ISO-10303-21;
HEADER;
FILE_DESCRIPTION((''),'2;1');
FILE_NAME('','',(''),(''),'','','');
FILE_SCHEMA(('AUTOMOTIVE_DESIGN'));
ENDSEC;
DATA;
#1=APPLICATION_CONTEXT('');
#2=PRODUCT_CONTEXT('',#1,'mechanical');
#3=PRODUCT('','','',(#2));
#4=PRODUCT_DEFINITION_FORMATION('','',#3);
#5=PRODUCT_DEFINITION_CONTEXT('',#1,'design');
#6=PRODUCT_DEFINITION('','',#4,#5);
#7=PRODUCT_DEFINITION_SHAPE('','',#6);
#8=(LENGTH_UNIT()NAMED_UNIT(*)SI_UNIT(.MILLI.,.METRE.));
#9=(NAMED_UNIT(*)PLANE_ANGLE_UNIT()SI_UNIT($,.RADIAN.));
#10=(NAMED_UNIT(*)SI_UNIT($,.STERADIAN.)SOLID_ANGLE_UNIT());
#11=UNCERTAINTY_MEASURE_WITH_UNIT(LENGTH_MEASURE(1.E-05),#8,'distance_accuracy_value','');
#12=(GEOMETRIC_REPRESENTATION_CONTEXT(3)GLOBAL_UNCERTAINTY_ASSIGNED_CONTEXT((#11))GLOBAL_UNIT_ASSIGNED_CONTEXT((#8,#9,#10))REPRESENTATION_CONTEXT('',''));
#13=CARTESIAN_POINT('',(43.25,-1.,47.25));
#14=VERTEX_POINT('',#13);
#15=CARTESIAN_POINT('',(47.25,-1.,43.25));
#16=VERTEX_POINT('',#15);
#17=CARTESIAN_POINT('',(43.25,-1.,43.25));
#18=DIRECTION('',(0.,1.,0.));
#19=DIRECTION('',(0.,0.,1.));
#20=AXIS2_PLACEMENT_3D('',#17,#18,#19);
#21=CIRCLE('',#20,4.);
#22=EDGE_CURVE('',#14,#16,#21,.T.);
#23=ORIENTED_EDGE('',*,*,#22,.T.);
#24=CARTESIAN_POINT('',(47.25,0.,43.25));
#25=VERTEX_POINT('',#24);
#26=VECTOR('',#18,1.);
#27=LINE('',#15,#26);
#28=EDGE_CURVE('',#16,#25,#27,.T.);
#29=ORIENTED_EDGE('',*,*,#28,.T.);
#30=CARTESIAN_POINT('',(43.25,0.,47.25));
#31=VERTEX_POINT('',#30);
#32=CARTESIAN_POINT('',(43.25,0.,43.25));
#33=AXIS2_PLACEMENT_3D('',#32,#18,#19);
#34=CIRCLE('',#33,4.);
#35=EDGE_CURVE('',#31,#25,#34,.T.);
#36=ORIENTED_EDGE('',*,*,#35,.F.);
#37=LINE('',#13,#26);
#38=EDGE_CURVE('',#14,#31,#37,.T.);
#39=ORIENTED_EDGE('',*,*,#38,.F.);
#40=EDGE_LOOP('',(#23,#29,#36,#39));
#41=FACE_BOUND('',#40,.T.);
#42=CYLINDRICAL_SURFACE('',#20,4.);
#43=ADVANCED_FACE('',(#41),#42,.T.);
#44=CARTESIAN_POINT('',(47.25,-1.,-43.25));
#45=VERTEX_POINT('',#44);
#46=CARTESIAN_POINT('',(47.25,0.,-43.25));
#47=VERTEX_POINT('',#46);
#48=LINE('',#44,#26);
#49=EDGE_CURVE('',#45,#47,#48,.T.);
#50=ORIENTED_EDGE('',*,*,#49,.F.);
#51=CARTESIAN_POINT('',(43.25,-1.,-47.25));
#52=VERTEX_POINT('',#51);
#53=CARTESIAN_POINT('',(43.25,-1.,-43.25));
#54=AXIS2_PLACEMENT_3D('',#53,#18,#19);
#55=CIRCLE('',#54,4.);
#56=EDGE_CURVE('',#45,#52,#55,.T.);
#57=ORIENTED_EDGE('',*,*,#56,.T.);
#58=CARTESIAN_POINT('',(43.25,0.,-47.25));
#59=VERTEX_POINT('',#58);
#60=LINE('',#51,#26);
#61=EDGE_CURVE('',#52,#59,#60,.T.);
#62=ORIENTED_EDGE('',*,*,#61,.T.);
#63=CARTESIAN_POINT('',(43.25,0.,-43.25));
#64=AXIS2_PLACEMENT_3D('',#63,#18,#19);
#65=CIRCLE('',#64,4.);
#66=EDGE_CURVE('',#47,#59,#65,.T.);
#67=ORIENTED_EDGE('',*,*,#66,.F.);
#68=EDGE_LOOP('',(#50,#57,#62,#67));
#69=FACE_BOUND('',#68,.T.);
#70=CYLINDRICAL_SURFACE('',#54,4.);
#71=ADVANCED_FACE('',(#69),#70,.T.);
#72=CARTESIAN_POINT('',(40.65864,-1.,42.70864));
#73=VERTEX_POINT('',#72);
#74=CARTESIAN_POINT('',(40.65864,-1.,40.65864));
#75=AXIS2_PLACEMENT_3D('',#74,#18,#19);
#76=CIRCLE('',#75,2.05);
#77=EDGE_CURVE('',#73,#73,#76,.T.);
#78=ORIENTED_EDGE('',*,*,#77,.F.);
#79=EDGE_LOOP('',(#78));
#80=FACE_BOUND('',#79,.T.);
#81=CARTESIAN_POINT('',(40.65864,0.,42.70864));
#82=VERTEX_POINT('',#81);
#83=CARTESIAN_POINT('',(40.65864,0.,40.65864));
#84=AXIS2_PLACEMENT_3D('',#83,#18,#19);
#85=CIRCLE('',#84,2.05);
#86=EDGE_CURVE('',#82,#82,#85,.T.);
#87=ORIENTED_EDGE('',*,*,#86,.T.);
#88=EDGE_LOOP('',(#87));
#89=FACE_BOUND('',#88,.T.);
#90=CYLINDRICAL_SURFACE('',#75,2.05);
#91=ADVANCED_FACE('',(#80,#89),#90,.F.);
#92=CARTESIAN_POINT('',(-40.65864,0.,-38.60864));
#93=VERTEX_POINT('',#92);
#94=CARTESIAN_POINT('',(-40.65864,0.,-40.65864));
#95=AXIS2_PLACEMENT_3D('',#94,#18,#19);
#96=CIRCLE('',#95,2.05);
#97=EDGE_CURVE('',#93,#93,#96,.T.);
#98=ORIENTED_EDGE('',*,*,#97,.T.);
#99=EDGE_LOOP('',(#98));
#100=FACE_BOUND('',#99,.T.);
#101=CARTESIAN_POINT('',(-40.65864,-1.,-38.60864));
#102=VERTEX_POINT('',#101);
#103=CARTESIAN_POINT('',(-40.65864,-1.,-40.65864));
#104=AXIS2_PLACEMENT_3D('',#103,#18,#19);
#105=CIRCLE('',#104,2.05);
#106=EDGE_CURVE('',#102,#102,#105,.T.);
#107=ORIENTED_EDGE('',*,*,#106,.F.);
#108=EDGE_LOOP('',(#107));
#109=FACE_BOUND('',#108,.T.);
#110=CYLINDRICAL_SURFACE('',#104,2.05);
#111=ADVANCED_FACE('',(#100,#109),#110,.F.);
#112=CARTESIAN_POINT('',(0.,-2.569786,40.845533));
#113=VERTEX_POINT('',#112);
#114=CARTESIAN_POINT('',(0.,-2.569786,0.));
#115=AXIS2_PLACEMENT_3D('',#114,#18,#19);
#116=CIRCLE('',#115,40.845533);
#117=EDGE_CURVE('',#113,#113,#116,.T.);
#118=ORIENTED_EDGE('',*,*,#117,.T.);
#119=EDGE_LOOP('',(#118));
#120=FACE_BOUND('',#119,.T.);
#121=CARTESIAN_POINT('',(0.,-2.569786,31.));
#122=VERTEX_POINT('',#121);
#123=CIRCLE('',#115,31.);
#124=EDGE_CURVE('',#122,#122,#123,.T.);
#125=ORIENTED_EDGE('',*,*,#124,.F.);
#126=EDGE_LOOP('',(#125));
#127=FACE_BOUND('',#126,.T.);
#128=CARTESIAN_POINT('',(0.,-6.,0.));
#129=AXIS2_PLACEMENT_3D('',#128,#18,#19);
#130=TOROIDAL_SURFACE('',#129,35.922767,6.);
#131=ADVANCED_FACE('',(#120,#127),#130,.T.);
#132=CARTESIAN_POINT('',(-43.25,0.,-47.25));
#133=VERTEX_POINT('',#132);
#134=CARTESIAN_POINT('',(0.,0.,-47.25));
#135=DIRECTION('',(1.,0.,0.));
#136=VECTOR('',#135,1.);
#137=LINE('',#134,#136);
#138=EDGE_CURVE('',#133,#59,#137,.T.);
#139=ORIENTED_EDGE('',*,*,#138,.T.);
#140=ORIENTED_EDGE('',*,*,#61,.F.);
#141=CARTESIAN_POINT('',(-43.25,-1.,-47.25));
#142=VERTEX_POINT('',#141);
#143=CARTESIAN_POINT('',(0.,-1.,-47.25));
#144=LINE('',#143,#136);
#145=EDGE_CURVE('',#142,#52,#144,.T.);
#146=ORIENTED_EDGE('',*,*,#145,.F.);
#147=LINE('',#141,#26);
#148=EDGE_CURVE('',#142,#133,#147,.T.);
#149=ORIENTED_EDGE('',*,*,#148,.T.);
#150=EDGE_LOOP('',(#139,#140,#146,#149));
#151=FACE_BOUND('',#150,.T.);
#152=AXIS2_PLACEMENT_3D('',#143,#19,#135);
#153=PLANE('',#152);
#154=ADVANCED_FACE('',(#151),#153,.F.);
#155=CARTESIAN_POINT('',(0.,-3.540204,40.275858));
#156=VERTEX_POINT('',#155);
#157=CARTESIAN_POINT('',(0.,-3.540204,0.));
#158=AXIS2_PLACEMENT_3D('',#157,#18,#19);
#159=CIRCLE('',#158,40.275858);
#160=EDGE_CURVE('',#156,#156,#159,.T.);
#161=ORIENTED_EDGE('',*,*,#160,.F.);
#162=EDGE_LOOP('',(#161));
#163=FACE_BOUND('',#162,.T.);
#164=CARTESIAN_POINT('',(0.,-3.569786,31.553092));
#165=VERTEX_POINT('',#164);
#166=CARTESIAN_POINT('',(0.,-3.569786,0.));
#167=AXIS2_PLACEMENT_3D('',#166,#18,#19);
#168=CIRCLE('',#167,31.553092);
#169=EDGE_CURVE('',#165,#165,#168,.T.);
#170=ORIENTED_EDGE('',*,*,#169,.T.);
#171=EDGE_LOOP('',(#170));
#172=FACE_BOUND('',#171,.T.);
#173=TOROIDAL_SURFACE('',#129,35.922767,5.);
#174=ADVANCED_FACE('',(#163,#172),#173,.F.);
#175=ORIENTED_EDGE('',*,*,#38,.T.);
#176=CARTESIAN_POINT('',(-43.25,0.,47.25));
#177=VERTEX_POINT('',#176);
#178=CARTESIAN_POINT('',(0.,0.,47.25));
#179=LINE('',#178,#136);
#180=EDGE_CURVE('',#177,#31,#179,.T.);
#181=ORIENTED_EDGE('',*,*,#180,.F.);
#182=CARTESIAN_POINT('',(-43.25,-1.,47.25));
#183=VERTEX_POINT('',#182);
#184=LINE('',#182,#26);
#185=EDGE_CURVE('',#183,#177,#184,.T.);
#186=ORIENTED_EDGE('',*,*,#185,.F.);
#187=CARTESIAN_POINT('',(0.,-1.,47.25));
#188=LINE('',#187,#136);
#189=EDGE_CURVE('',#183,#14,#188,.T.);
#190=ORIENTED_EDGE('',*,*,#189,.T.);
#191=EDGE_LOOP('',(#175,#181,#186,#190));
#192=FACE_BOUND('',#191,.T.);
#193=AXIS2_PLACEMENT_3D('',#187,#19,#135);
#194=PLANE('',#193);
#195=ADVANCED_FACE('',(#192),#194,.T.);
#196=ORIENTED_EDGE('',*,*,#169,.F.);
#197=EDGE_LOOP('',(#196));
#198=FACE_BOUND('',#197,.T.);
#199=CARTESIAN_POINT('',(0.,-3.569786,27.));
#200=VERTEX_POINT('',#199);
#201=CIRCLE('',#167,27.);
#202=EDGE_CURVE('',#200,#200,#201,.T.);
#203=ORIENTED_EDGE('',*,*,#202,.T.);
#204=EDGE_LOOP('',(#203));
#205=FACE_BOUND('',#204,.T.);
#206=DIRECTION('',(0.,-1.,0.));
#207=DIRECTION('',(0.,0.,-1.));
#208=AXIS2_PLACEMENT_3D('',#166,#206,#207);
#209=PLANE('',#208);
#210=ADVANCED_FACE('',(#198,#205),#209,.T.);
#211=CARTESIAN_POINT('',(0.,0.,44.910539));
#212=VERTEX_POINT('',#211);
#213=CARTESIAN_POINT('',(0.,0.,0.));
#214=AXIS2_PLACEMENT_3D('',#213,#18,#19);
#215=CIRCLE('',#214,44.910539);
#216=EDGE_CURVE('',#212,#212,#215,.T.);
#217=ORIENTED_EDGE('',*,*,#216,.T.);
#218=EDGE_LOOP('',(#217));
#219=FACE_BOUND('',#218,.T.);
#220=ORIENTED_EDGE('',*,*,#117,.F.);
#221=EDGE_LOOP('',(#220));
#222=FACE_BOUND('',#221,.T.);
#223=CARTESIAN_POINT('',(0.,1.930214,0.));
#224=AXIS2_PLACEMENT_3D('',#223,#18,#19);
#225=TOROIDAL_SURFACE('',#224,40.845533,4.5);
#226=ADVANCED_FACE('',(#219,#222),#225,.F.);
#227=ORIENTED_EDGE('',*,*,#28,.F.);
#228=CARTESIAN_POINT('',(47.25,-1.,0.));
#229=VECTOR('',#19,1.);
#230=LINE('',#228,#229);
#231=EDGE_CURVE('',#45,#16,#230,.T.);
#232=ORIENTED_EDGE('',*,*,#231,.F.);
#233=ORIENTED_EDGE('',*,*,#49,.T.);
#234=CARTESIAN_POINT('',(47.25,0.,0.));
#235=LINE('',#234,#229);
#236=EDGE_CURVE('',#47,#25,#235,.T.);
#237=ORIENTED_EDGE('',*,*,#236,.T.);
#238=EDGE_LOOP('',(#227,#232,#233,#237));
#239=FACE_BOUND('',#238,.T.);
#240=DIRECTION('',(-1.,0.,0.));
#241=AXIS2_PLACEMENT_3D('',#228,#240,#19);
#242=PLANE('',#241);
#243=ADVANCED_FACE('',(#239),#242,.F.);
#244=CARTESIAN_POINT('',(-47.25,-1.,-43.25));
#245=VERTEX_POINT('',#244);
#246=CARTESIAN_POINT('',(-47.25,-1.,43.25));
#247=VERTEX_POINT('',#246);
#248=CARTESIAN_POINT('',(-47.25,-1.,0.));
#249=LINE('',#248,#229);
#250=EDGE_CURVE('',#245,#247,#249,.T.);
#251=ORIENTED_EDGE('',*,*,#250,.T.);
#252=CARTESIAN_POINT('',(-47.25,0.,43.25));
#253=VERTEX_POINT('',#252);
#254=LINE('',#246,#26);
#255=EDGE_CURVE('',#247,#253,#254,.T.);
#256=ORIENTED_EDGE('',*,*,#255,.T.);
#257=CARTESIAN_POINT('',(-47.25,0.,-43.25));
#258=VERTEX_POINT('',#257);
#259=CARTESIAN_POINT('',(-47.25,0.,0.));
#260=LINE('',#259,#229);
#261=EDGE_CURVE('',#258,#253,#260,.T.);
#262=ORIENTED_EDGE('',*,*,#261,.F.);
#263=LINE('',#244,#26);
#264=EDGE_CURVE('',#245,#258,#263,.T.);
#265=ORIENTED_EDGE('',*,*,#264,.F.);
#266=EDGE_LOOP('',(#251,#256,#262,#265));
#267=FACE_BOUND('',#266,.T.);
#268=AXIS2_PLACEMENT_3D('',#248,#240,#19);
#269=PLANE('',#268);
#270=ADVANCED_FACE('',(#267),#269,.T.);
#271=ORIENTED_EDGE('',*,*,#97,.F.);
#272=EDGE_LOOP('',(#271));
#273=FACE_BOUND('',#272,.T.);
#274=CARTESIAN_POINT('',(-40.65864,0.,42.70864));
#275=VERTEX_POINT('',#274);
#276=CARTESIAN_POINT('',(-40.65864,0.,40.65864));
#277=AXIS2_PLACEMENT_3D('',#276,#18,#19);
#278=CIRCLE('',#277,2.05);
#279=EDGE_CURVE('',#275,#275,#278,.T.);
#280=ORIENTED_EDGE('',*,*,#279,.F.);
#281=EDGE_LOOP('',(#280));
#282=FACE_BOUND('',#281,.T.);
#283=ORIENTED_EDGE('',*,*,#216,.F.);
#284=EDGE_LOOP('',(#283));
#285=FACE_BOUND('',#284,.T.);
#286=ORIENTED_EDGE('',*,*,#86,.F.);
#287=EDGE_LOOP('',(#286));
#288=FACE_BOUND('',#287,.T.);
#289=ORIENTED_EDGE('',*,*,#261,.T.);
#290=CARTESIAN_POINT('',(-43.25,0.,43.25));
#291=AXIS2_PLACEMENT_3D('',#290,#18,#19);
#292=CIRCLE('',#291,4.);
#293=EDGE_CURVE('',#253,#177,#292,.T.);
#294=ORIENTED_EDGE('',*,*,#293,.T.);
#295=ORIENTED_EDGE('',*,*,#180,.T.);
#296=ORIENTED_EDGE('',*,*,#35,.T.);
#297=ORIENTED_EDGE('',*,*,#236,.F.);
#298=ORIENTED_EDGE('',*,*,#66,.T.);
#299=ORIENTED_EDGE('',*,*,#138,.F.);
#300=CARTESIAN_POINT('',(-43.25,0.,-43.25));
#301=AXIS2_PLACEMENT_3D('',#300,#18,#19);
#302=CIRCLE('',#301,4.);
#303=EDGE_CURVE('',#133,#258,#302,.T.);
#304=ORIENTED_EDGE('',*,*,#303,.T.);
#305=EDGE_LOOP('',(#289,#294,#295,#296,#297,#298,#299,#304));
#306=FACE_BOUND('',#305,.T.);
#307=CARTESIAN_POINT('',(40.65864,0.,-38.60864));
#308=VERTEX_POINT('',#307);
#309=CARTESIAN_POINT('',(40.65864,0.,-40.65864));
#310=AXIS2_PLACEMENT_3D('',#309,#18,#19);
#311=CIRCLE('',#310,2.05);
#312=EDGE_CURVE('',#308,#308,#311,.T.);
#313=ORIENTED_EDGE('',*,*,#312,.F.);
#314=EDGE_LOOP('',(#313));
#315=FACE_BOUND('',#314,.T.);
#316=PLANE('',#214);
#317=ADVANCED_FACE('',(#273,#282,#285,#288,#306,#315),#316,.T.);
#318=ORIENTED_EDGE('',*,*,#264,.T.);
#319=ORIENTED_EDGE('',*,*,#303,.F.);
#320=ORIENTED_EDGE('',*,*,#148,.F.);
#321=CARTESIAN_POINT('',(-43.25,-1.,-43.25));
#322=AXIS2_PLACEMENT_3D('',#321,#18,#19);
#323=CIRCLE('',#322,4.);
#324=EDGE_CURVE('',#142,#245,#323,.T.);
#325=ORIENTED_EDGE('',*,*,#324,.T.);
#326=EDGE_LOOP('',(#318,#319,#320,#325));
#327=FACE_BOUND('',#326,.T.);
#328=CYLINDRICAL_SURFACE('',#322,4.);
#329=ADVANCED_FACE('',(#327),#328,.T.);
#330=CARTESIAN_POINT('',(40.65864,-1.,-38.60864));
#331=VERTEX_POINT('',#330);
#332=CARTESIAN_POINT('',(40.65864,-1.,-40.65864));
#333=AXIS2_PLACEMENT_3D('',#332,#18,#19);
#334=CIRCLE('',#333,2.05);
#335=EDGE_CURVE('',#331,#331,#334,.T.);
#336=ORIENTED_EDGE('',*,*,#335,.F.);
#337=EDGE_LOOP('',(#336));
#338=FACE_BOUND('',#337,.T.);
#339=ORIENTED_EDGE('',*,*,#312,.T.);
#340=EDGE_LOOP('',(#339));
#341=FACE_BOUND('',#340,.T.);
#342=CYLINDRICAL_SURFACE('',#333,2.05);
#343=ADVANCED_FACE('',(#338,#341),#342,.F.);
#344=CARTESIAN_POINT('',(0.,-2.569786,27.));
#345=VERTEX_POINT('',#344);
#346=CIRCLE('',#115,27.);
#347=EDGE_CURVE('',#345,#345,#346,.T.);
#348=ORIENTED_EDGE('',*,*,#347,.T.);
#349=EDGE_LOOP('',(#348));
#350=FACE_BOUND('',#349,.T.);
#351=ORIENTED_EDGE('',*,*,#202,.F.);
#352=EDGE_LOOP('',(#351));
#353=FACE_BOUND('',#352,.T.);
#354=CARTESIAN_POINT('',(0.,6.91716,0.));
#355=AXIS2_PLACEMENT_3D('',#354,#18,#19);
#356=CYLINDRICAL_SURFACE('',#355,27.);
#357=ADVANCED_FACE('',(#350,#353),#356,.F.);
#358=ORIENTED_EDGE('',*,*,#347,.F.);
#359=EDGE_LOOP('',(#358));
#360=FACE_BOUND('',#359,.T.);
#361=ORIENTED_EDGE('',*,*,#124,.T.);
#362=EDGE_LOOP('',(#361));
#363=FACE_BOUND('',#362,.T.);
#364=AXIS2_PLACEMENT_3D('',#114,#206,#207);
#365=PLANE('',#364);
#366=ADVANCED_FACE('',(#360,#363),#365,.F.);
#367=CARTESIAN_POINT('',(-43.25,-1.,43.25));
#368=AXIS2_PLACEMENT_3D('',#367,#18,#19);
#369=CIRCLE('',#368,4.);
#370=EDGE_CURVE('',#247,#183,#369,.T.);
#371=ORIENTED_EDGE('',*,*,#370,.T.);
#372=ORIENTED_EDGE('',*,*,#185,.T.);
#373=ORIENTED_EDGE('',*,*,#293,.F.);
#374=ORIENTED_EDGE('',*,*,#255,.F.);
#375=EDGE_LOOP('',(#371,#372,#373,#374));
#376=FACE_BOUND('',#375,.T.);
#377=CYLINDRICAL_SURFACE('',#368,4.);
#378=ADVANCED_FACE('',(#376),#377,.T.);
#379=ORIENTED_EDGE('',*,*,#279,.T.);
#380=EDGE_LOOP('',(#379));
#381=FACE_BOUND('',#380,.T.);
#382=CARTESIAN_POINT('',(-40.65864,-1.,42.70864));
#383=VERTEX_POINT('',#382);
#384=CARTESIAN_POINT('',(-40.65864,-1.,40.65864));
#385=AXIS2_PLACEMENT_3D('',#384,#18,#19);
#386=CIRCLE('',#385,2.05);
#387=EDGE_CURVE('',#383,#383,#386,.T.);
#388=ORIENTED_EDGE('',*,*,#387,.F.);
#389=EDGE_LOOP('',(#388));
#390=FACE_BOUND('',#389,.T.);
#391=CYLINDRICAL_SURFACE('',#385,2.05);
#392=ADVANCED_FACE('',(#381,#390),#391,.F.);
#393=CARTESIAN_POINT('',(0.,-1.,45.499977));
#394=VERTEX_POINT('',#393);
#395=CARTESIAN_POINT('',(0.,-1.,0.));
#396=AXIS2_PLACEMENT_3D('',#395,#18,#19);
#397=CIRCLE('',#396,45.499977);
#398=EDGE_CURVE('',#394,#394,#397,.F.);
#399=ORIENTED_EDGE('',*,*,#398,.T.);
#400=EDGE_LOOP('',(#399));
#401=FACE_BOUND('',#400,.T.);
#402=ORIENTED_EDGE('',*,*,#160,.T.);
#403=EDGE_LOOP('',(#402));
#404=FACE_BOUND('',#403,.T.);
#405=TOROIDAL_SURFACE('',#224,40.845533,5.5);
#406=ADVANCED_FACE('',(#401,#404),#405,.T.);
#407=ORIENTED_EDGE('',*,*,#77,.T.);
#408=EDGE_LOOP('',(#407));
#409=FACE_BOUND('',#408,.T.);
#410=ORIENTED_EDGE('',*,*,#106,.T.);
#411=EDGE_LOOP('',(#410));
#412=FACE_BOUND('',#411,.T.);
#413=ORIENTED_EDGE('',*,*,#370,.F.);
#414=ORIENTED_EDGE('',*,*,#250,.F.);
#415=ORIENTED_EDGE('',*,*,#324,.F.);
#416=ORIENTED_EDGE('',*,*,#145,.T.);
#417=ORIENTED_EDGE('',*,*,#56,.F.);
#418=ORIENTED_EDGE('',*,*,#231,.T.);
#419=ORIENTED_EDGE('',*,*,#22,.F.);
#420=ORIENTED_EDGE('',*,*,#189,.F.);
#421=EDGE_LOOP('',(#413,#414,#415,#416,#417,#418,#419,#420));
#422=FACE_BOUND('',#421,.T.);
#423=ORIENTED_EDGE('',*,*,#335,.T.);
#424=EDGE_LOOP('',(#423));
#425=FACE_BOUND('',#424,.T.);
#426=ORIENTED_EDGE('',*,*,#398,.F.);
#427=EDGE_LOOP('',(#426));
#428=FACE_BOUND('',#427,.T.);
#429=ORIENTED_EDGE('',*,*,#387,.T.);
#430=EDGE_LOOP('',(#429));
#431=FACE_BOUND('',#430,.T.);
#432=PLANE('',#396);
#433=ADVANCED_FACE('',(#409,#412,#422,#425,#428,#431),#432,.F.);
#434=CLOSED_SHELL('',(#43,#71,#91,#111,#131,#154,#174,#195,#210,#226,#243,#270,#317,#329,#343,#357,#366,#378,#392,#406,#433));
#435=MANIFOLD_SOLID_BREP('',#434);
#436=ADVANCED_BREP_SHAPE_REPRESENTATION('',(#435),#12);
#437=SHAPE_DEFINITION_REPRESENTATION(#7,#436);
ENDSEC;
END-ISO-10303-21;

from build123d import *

# Parameters (mm, degrees)
SKETCH_2_R      = 2.05
SKETCH_2_R_2    = 44.910539349
EXTRUDE_1_DEPTH = 1


with BuildPart() as part:
    # 草图1 → 旋转1 (revolve)
    with BuildSketch(Plane.XY):
        with BuildLine():
            ThreePointArc((-45.813874016, -0.428936451), (-43.539426354, -2.86488143), (-40.275857757, -3.540203663))
            ThreePointArc((-40.275857757, -3.540203663), (-35.905809817, -1.000028754), (-31.553091654, -3.569785971))
            Line((-31.553091654, -3.569785971), (-27, -3.569785971))
            Line((-27, -3.569785971), (-27, -2.569785971))
            Line((-27, -2.569785971), (-31, -2.569785971))
            ThreePointArc((-31, -2.569785971), (-35.922766673, 0), (-40.845533346, -2.569785971))
            ThreePointArc((-40.845533346, -2.569785971), (-43.250116145, -1.873465974), (-44.910539349, 0))
            Line((-44.910539349, 0), (-45.813874016, -0.428936451))
        make_face()
    revolve(axis=Axis((0, 6.917160425, 0), (0, -1, 0)))

    # 草图2 → 凸台-拉伸1 (add)
    with BuildSketch(Plane(origin=(0, 0, 0), x_dir=(1, 0, 0), z_dir=(0, 1, 0))):
        with BuildLine():
            Line((43.25, 47.25), (-43.25, 47.25))
            ThreePointArc((-43.25, 47.25), (-46.078427125, 46.078427125), (-47.25, 43.25))
            Line((-47.25, 43.25), (-47.25, -43.25))
            ThreePointArc((-47.25, -43.25), (-46.078427125, -46.078427125), (-43.25, -47.25))
            Line((-43.25, -47.25), (43.25, -47.25))
            ThreePointArc((43.25, -47.25), (46.078427125, -46.078427125), (47.25, -43.25))
            Line((47.25, -43.25), (47.25, 43.25))
            ThreePointArc((47.25, 43.25), (46.078427125, 46.078427125), (43.25, 47.25))
        make_face()
        with Locations((-40.658639918, -40.658639918)):
            Circle(SKETCH_2_R, mode=Mode.SUBTRACT)
        with Locations((40.658639918, -40.658639918)):
            Circle(SKETCH_2_R, mode=Mode.SUBTRACT)
        with Locations((-40.658639918, 40.658639918)):
            Circle(SKETCH_2_R, mode=Mode.SUBTRACT)
        Circle(SKETCH_2_R_2, mode=Mode.SUBTRACT)
        with Locations((40.658639918, 40.658639918)):
            Circle(SKETCH_2_R, mode=Mode.SUBTRACT)
    extrude(amount=-EXTRUDE_1_DEPTH)


solid = part.part
